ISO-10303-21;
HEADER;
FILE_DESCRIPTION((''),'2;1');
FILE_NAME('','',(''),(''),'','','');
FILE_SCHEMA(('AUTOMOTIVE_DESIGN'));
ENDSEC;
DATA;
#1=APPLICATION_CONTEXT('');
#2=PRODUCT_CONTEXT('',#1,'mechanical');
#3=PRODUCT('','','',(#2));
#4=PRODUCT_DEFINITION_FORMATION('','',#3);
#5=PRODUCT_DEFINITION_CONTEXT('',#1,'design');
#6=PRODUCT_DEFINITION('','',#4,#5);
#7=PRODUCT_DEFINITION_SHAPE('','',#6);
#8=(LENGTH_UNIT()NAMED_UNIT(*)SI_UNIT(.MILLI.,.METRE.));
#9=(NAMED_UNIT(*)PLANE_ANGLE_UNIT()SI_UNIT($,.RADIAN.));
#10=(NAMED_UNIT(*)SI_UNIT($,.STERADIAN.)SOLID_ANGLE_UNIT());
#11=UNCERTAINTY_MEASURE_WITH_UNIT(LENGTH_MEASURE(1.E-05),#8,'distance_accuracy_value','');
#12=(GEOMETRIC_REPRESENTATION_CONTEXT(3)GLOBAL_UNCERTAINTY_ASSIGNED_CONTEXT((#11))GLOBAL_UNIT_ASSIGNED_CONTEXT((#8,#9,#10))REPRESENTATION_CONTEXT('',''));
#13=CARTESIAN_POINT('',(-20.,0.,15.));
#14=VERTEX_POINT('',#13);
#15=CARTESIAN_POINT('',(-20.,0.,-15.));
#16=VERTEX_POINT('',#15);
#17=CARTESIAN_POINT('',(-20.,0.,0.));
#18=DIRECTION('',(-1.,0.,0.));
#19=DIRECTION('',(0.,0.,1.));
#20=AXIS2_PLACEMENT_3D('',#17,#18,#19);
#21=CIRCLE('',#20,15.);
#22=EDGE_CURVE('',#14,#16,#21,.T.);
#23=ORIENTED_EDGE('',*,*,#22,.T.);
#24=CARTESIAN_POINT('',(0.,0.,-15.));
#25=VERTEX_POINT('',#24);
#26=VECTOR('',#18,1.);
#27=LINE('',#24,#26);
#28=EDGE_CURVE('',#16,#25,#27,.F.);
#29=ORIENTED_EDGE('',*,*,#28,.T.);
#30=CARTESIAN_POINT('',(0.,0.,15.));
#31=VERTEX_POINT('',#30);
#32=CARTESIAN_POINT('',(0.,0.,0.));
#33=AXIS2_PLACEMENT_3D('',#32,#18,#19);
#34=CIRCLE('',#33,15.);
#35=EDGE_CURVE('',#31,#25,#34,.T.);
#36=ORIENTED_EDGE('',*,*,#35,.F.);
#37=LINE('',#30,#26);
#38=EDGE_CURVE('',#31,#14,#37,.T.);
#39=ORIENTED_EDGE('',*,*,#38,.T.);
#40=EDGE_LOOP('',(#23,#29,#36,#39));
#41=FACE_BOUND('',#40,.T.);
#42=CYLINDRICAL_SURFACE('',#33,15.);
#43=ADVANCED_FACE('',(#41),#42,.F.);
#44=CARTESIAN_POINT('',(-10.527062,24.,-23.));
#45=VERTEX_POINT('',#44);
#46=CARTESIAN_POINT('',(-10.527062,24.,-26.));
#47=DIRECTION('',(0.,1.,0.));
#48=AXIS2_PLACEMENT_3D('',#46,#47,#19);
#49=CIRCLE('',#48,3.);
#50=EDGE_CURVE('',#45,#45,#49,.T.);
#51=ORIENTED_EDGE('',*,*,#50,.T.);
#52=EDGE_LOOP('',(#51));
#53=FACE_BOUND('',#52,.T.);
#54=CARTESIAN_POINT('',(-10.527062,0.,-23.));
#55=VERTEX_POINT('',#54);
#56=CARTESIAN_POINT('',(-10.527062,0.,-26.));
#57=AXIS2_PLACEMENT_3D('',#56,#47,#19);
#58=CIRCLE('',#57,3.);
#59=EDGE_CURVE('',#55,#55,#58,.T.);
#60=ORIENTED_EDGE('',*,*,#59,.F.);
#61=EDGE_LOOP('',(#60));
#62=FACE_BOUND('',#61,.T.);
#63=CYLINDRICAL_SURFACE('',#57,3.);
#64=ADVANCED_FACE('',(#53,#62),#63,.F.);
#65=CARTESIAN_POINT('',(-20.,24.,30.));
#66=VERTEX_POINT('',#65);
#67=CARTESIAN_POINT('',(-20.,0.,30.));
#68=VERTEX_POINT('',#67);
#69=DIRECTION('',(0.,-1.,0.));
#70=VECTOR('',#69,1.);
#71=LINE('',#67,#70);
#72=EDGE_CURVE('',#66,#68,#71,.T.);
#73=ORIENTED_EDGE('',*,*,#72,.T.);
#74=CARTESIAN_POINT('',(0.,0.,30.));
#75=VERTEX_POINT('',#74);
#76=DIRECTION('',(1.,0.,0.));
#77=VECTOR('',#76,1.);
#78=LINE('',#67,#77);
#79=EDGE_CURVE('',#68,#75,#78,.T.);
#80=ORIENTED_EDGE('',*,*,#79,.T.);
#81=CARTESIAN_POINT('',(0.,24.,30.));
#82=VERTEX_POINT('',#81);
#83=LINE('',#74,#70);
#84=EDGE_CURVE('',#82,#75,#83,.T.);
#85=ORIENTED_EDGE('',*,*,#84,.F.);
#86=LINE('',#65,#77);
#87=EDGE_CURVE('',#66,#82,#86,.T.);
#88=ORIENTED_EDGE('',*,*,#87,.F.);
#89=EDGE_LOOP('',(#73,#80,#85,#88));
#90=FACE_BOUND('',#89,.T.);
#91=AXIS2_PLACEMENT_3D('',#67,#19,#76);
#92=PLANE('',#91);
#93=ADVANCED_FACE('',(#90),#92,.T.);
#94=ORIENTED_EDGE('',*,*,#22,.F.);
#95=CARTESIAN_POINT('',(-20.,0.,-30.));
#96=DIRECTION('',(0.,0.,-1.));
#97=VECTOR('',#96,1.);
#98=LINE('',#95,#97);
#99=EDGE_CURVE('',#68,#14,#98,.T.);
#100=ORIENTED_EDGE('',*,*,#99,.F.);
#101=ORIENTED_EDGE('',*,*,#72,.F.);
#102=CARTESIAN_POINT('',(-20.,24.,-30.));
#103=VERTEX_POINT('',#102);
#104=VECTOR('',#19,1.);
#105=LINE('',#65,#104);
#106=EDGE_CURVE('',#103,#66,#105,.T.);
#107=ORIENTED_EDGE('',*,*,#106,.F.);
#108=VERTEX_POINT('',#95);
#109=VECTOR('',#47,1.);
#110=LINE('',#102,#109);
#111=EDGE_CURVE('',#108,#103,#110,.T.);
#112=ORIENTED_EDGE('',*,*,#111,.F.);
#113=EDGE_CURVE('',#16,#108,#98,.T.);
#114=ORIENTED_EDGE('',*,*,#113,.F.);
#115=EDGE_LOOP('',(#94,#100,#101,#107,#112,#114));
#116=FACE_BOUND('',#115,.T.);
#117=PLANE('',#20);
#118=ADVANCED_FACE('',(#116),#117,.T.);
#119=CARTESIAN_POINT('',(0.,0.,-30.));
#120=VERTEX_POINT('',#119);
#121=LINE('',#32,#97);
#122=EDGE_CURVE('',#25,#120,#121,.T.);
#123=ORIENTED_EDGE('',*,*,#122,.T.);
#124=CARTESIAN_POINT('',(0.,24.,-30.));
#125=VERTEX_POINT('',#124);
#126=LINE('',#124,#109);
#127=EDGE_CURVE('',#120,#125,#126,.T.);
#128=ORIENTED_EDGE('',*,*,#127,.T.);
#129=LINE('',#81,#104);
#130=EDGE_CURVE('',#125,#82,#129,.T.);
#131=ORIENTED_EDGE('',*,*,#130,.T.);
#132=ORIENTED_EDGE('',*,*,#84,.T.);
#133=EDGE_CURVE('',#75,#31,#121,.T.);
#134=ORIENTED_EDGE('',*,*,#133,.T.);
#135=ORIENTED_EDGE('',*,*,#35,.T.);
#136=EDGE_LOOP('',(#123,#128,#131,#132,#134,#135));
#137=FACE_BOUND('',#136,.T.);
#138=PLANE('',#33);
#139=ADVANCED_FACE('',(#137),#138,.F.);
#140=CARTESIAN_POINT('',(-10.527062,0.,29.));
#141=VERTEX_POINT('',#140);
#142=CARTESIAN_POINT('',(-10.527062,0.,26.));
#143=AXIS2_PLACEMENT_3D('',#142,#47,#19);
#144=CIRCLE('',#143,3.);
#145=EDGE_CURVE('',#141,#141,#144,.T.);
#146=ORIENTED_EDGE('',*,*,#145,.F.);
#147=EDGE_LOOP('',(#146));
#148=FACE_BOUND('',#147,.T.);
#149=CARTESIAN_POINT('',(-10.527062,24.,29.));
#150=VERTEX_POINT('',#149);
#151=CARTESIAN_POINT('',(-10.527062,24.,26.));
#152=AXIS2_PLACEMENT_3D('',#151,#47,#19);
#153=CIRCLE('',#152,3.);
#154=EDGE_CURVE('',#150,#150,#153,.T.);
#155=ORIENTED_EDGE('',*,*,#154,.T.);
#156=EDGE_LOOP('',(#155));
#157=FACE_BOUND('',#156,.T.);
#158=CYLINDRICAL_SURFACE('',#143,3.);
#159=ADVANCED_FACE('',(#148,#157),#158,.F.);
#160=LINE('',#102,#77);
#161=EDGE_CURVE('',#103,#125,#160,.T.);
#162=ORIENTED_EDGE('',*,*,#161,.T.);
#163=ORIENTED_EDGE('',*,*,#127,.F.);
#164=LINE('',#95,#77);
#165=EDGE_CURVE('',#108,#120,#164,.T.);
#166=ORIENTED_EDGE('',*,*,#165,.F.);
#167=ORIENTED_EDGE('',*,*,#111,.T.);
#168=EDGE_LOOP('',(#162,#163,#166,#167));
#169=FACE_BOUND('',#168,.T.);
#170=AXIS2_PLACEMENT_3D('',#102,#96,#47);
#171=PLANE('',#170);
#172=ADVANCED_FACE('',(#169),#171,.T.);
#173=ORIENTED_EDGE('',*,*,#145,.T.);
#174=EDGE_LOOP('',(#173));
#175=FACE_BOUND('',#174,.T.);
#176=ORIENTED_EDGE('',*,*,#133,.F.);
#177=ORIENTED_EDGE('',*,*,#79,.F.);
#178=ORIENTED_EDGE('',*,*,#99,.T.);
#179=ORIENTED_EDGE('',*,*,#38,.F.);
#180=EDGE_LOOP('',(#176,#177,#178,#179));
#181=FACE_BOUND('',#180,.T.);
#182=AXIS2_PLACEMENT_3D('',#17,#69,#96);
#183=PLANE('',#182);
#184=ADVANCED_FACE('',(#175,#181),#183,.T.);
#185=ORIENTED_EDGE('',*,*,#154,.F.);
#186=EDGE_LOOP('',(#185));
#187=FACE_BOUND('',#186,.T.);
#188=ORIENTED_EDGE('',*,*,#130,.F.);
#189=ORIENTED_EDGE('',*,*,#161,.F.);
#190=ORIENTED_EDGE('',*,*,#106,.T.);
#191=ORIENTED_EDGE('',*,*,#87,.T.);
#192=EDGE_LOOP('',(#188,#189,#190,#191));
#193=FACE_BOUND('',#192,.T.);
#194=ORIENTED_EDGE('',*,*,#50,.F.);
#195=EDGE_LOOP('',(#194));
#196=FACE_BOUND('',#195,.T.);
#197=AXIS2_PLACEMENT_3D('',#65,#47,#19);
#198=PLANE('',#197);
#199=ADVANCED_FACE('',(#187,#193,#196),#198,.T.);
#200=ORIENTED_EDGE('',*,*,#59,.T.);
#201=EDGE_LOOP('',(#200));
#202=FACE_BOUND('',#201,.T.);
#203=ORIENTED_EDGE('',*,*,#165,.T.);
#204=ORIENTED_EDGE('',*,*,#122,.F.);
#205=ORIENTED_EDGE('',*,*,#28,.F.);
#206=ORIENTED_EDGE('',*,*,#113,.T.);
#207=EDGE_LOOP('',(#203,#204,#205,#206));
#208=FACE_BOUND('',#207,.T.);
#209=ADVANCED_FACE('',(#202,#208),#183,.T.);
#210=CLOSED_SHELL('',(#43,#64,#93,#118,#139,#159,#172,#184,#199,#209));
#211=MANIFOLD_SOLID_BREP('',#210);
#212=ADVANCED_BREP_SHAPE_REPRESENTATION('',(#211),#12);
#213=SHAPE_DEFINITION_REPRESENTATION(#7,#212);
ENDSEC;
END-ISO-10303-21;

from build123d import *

# Parameters (mm, degrees)
BOSS_EXTRUDE1_DEPTH = 20
SKETCH7_R           = 15
CUT_EXTRUDE1_DEPTH  = 20
SKETCH6_R           = 3
CUT_EXTRUDE2_DEPTH  = 24


with BuildPart() as part:
    # Sketch1 → Boss-Extrude1 (new body)
    with BuildSketch(Plane(origin=(0, 0, 0), x_dir=(0, 0, -1), z_dir=(1, 0, 0))):
        Polygon((0, 0), (-30, 0), (-30, 24), (30, 24), (30, 0), align=None)
    extrude(amount=-BOSS_EXTRUDE1_DEPTH)

    # Sketch7 → Cut-Extrude1 (cut)
    with BuildSketch(Plane.ZY.offset(20)):
        Circle(SKETCH7_R)
    extrude(amount=-CUT_EXTRUDE1_DEPTH, mode=Mode.SUBTRACT)

    # Sketch6 → Cut-Extrude2 (cut)
    with BuildSketch(Plane(origin=(0, 24, 0), x_dir=(1, 0, 0), z_dir=(0, 1, 0))):
        with Locations(Location((-10.527062393, 26, 0), (0, 0, 270))):
            Circle(SKETCH6_R)
        with Locations(Location((-10.527062393, -26, 0), (0, 0, 270))):
            Circle(SKETCH6_R)
    extrude(amount=-CUT_EXTRUDE2_DEPTH, mode=Mode.SUBTRACT)


solid = part.part
